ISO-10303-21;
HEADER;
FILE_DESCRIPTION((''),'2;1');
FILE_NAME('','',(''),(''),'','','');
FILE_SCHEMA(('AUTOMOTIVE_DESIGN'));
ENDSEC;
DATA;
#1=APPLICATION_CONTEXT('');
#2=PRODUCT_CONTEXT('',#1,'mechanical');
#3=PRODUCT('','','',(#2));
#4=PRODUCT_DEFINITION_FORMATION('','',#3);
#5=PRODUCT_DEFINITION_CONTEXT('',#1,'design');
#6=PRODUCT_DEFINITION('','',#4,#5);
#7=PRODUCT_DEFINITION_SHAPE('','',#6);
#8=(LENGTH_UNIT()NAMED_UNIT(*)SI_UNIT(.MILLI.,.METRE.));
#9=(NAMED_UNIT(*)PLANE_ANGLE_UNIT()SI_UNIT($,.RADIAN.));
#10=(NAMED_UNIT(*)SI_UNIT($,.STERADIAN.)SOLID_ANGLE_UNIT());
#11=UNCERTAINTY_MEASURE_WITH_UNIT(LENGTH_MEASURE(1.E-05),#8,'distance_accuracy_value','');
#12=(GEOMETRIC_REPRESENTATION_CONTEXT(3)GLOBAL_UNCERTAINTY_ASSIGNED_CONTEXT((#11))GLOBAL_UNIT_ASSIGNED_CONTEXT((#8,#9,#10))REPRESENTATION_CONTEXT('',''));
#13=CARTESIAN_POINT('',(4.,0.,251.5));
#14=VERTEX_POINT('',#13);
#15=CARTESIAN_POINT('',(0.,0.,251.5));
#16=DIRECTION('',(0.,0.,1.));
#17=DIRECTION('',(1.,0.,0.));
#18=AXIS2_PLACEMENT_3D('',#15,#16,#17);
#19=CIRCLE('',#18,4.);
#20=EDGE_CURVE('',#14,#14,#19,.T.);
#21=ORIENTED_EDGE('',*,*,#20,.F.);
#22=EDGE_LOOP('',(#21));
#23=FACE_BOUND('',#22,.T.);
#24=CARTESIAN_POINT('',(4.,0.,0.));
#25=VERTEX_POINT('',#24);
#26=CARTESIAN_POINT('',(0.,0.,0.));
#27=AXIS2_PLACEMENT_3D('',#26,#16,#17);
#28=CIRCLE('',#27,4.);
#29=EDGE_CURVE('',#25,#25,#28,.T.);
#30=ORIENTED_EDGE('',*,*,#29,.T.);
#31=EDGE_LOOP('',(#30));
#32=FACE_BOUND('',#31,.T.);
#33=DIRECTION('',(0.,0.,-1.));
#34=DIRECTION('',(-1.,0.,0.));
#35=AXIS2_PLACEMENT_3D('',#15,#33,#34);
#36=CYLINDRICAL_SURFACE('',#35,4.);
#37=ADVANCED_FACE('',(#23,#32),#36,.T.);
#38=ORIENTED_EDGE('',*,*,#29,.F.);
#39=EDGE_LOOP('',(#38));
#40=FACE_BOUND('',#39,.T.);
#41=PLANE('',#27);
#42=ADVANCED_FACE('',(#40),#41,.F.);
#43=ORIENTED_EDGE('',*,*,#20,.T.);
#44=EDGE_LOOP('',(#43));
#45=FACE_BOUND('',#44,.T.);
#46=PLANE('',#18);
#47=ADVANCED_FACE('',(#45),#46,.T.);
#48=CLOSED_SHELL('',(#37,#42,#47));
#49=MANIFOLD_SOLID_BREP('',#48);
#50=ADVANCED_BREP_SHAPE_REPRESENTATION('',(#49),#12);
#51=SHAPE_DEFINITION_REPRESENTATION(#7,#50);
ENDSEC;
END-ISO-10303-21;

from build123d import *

# Parameters (mm, degrees)
SKETCH_1_R      = 4
EXTRUDE_1_DEPTH = 251.5


with BuildPart() as part:
    # 草图1 → 凸台-拉伸1 (new body)
    with BuildSketch(Plane.XY):
        Circle(SKETCH_1_R)
    extrude(amount=EXTRUDE_1_DEPTH)


solid = part.part
